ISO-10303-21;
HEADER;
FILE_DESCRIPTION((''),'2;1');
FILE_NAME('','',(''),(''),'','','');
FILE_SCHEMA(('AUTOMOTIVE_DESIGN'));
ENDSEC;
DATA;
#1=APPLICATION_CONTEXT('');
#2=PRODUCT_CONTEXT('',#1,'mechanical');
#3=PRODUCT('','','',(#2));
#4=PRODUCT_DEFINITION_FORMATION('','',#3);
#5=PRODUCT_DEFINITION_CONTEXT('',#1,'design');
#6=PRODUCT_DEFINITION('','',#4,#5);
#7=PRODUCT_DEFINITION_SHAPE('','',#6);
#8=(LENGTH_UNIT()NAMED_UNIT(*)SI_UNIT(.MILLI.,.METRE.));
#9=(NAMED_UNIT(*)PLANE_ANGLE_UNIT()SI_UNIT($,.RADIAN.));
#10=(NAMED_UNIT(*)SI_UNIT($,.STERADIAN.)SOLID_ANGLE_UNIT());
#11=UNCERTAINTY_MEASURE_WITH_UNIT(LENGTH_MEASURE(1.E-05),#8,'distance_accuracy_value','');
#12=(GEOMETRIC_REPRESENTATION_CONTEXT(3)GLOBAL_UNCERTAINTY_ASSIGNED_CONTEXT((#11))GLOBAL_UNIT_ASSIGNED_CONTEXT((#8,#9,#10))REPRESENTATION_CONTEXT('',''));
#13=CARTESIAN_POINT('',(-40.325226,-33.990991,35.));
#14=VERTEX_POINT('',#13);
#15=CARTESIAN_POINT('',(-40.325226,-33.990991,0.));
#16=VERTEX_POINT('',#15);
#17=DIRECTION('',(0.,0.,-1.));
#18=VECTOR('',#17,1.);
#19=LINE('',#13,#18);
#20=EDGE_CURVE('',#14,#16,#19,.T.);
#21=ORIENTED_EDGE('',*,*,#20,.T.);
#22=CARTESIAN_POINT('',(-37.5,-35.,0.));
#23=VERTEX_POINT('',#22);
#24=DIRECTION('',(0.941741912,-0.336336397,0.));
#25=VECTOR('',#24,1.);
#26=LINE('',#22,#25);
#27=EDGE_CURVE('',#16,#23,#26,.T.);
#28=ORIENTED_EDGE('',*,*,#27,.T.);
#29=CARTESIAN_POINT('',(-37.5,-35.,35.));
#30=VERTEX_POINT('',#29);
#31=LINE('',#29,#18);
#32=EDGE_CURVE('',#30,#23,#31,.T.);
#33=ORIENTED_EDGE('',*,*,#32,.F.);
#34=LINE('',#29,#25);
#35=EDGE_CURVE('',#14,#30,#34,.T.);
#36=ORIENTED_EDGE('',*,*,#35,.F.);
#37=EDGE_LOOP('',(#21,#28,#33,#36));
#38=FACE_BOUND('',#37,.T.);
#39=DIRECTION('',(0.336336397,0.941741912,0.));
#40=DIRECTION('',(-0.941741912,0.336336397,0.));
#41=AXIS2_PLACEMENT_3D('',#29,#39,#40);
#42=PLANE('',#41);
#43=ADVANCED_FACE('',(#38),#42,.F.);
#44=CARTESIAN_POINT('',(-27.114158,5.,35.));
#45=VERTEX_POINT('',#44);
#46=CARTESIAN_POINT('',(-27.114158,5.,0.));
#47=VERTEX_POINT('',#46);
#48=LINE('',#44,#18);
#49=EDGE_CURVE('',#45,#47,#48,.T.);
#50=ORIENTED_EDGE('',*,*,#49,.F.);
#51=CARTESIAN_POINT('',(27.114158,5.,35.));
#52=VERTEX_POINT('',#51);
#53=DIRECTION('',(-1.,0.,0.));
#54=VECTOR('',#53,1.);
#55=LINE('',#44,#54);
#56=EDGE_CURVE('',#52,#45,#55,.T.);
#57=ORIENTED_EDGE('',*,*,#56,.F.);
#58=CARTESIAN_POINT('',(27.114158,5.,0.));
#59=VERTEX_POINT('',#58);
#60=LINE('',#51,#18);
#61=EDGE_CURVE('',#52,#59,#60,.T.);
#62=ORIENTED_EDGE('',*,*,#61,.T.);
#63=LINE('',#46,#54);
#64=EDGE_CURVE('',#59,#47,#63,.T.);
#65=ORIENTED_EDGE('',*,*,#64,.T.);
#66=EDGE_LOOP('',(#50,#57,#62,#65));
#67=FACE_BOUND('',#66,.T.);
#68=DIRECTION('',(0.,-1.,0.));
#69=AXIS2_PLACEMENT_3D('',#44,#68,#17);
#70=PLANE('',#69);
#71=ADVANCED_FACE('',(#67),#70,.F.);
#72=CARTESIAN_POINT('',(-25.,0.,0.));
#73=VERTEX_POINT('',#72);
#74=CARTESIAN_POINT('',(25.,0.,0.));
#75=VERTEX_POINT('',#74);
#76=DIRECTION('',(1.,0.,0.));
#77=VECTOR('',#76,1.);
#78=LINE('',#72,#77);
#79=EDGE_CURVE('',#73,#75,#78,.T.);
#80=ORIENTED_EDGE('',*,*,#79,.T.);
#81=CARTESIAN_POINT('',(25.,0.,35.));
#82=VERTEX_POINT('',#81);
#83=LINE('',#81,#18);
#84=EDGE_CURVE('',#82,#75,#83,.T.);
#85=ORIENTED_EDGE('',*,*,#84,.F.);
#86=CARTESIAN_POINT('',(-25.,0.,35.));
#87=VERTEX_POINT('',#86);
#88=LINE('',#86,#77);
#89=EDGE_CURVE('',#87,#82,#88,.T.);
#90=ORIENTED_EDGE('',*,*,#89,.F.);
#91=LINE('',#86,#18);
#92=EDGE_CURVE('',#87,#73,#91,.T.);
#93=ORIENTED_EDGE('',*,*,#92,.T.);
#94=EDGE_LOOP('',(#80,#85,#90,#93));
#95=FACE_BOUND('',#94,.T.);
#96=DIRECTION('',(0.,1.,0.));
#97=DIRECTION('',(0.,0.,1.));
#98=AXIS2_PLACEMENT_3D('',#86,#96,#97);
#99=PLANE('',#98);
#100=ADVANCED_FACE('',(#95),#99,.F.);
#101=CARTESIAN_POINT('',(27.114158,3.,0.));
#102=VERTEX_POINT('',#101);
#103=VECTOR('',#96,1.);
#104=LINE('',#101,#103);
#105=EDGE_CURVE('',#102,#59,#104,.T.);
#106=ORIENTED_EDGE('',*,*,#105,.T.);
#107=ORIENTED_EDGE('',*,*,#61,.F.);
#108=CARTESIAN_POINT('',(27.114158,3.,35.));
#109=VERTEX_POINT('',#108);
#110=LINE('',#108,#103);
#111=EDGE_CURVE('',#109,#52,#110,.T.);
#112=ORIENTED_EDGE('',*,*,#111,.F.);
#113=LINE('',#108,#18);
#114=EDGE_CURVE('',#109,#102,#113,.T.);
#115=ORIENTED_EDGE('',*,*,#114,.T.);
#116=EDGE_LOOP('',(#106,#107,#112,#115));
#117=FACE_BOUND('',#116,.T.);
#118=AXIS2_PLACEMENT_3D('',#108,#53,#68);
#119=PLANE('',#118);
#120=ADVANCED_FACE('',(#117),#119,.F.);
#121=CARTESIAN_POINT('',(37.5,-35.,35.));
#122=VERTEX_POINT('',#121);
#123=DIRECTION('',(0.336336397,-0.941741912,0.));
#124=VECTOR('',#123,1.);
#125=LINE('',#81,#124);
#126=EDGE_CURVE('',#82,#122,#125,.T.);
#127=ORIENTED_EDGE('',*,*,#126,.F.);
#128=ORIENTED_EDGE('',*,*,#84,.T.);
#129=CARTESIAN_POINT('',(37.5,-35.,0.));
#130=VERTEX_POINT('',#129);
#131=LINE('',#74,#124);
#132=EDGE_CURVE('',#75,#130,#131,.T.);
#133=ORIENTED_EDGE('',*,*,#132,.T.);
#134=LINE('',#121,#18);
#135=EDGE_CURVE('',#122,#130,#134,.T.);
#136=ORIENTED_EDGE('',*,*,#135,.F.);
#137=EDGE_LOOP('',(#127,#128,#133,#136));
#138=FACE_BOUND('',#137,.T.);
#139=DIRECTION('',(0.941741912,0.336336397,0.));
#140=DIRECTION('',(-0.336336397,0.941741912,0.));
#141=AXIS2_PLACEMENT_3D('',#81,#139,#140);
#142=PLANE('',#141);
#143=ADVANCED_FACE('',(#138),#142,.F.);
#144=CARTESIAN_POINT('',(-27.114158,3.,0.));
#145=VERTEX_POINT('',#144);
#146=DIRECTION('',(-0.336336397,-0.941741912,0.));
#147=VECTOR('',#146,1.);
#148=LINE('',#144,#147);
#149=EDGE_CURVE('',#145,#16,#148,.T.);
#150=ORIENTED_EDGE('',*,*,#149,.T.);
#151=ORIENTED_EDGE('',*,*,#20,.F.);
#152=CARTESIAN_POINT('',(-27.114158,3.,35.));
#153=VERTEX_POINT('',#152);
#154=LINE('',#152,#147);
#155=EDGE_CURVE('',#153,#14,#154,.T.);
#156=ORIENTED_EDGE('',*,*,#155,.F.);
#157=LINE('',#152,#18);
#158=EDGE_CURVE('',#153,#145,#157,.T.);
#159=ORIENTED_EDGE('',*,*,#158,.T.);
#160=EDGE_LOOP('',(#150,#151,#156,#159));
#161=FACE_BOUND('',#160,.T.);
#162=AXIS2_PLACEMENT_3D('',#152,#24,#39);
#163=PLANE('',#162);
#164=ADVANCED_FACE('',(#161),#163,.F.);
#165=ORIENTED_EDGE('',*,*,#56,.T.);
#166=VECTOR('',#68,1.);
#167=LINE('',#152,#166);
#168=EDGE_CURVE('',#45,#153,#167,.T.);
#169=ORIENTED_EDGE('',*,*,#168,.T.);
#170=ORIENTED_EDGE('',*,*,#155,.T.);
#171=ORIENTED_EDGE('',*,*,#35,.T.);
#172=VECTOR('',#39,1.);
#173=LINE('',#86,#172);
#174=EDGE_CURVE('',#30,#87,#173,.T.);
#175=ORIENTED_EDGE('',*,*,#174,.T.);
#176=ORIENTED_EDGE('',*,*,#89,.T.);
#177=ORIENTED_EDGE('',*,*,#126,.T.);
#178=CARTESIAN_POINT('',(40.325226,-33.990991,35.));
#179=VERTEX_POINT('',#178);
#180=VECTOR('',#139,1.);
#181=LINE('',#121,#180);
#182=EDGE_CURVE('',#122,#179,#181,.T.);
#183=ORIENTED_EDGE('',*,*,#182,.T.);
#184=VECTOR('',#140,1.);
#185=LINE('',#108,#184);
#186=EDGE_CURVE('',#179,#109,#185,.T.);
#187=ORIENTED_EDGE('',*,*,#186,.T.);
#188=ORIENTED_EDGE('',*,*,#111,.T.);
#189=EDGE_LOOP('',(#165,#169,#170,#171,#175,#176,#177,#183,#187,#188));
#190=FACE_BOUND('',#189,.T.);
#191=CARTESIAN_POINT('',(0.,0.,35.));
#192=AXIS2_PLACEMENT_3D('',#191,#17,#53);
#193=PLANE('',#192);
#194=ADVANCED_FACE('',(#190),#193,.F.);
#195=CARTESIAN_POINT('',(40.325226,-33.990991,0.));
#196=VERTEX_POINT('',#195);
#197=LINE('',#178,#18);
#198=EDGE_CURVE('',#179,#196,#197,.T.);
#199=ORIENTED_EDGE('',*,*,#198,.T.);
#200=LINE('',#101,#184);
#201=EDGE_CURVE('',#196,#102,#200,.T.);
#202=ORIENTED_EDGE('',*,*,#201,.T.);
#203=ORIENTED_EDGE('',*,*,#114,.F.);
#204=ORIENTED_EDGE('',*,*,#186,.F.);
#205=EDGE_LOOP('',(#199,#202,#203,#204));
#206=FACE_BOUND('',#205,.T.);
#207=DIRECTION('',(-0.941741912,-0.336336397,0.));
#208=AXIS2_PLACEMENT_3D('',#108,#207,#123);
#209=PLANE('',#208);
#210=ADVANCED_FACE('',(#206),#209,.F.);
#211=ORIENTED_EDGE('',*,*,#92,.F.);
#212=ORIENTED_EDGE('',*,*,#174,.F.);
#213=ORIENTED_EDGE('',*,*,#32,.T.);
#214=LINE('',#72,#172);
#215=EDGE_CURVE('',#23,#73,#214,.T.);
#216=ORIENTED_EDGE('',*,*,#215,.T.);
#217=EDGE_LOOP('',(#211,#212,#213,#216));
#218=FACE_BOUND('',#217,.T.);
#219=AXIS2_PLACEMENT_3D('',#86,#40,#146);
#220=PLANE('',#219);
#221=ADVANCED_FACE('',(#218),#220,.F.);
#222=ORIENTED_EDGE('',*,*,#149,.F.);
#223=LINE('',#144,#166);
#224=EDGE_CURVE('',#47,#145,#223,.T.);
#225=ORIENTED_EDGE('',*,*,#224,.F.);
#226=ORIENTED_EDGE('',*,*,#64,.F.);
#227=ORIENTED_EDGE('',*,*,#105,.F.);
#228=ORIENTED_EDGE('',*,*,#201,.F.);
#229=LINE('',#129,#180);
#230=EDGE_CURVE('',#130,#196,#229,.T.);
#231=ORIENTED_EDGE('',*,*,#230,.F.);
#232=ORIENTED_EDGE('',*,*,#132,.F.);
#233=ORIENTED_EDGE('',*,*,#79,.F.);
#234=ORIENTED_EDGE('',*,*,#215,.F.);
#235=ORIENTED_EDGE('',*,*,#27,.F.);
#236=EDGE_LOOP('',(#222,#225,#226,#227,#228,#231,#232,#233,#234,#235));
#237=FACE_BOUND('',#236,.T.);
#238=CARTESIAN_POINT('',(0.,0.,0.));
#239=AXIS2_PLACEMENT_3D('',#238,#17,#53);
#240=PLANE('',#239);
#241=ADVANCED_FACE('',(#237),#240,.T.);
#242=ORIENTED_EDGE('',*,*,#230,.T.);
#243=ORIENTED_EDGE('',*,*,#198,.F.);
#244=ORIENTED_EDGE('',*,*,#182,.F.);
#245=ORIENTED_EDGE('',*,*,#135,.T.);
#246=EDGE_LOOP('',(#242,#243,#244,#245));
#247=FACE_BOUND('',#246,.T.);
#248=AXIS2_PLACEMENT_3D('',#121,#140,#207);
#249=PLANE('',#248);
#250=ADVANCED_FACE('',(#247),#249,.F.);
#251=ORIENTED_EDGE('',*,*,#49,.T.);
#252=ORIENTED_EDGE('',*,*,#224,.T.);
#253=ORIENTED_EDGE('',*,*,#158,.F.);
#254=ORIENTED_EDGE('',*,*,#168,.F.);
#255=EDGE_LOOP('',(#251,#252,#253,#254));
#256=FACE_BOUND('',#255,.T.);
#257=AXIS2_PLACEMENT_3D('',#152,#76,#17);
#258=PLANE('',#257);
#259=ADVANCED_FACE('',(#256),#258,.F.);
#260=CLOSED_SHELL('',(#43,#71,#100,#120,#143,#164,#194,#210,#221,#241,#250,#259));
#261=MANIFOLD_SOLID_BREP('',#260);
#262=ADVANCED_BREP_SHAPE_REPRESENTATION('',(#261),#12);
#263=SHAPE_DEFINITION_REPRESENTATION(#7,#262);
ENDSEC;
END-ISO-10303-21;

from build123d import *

# Parameters (mm, degrees)
BOSS_EXTRUDE2_DEPTH = 35


with BuildPart() as part:
    # Sketch2 → Boss-Extrude2 (new body)
    with BuildSketch(Plane.XY):
        Polygon((-25, 0), (25, 0), (37.5, -35), (40.325225735, -33.990990809), (27.114157589, 3), (27.114157589, 5), (-27.114157589, 5), (-27.114157589, 3), (-40.325225735, -33.990990809), (-37.5, -35), align=None)
    extrude(amount=BOSS_EXTRUDE2_DEPTH)


solid = part.part
